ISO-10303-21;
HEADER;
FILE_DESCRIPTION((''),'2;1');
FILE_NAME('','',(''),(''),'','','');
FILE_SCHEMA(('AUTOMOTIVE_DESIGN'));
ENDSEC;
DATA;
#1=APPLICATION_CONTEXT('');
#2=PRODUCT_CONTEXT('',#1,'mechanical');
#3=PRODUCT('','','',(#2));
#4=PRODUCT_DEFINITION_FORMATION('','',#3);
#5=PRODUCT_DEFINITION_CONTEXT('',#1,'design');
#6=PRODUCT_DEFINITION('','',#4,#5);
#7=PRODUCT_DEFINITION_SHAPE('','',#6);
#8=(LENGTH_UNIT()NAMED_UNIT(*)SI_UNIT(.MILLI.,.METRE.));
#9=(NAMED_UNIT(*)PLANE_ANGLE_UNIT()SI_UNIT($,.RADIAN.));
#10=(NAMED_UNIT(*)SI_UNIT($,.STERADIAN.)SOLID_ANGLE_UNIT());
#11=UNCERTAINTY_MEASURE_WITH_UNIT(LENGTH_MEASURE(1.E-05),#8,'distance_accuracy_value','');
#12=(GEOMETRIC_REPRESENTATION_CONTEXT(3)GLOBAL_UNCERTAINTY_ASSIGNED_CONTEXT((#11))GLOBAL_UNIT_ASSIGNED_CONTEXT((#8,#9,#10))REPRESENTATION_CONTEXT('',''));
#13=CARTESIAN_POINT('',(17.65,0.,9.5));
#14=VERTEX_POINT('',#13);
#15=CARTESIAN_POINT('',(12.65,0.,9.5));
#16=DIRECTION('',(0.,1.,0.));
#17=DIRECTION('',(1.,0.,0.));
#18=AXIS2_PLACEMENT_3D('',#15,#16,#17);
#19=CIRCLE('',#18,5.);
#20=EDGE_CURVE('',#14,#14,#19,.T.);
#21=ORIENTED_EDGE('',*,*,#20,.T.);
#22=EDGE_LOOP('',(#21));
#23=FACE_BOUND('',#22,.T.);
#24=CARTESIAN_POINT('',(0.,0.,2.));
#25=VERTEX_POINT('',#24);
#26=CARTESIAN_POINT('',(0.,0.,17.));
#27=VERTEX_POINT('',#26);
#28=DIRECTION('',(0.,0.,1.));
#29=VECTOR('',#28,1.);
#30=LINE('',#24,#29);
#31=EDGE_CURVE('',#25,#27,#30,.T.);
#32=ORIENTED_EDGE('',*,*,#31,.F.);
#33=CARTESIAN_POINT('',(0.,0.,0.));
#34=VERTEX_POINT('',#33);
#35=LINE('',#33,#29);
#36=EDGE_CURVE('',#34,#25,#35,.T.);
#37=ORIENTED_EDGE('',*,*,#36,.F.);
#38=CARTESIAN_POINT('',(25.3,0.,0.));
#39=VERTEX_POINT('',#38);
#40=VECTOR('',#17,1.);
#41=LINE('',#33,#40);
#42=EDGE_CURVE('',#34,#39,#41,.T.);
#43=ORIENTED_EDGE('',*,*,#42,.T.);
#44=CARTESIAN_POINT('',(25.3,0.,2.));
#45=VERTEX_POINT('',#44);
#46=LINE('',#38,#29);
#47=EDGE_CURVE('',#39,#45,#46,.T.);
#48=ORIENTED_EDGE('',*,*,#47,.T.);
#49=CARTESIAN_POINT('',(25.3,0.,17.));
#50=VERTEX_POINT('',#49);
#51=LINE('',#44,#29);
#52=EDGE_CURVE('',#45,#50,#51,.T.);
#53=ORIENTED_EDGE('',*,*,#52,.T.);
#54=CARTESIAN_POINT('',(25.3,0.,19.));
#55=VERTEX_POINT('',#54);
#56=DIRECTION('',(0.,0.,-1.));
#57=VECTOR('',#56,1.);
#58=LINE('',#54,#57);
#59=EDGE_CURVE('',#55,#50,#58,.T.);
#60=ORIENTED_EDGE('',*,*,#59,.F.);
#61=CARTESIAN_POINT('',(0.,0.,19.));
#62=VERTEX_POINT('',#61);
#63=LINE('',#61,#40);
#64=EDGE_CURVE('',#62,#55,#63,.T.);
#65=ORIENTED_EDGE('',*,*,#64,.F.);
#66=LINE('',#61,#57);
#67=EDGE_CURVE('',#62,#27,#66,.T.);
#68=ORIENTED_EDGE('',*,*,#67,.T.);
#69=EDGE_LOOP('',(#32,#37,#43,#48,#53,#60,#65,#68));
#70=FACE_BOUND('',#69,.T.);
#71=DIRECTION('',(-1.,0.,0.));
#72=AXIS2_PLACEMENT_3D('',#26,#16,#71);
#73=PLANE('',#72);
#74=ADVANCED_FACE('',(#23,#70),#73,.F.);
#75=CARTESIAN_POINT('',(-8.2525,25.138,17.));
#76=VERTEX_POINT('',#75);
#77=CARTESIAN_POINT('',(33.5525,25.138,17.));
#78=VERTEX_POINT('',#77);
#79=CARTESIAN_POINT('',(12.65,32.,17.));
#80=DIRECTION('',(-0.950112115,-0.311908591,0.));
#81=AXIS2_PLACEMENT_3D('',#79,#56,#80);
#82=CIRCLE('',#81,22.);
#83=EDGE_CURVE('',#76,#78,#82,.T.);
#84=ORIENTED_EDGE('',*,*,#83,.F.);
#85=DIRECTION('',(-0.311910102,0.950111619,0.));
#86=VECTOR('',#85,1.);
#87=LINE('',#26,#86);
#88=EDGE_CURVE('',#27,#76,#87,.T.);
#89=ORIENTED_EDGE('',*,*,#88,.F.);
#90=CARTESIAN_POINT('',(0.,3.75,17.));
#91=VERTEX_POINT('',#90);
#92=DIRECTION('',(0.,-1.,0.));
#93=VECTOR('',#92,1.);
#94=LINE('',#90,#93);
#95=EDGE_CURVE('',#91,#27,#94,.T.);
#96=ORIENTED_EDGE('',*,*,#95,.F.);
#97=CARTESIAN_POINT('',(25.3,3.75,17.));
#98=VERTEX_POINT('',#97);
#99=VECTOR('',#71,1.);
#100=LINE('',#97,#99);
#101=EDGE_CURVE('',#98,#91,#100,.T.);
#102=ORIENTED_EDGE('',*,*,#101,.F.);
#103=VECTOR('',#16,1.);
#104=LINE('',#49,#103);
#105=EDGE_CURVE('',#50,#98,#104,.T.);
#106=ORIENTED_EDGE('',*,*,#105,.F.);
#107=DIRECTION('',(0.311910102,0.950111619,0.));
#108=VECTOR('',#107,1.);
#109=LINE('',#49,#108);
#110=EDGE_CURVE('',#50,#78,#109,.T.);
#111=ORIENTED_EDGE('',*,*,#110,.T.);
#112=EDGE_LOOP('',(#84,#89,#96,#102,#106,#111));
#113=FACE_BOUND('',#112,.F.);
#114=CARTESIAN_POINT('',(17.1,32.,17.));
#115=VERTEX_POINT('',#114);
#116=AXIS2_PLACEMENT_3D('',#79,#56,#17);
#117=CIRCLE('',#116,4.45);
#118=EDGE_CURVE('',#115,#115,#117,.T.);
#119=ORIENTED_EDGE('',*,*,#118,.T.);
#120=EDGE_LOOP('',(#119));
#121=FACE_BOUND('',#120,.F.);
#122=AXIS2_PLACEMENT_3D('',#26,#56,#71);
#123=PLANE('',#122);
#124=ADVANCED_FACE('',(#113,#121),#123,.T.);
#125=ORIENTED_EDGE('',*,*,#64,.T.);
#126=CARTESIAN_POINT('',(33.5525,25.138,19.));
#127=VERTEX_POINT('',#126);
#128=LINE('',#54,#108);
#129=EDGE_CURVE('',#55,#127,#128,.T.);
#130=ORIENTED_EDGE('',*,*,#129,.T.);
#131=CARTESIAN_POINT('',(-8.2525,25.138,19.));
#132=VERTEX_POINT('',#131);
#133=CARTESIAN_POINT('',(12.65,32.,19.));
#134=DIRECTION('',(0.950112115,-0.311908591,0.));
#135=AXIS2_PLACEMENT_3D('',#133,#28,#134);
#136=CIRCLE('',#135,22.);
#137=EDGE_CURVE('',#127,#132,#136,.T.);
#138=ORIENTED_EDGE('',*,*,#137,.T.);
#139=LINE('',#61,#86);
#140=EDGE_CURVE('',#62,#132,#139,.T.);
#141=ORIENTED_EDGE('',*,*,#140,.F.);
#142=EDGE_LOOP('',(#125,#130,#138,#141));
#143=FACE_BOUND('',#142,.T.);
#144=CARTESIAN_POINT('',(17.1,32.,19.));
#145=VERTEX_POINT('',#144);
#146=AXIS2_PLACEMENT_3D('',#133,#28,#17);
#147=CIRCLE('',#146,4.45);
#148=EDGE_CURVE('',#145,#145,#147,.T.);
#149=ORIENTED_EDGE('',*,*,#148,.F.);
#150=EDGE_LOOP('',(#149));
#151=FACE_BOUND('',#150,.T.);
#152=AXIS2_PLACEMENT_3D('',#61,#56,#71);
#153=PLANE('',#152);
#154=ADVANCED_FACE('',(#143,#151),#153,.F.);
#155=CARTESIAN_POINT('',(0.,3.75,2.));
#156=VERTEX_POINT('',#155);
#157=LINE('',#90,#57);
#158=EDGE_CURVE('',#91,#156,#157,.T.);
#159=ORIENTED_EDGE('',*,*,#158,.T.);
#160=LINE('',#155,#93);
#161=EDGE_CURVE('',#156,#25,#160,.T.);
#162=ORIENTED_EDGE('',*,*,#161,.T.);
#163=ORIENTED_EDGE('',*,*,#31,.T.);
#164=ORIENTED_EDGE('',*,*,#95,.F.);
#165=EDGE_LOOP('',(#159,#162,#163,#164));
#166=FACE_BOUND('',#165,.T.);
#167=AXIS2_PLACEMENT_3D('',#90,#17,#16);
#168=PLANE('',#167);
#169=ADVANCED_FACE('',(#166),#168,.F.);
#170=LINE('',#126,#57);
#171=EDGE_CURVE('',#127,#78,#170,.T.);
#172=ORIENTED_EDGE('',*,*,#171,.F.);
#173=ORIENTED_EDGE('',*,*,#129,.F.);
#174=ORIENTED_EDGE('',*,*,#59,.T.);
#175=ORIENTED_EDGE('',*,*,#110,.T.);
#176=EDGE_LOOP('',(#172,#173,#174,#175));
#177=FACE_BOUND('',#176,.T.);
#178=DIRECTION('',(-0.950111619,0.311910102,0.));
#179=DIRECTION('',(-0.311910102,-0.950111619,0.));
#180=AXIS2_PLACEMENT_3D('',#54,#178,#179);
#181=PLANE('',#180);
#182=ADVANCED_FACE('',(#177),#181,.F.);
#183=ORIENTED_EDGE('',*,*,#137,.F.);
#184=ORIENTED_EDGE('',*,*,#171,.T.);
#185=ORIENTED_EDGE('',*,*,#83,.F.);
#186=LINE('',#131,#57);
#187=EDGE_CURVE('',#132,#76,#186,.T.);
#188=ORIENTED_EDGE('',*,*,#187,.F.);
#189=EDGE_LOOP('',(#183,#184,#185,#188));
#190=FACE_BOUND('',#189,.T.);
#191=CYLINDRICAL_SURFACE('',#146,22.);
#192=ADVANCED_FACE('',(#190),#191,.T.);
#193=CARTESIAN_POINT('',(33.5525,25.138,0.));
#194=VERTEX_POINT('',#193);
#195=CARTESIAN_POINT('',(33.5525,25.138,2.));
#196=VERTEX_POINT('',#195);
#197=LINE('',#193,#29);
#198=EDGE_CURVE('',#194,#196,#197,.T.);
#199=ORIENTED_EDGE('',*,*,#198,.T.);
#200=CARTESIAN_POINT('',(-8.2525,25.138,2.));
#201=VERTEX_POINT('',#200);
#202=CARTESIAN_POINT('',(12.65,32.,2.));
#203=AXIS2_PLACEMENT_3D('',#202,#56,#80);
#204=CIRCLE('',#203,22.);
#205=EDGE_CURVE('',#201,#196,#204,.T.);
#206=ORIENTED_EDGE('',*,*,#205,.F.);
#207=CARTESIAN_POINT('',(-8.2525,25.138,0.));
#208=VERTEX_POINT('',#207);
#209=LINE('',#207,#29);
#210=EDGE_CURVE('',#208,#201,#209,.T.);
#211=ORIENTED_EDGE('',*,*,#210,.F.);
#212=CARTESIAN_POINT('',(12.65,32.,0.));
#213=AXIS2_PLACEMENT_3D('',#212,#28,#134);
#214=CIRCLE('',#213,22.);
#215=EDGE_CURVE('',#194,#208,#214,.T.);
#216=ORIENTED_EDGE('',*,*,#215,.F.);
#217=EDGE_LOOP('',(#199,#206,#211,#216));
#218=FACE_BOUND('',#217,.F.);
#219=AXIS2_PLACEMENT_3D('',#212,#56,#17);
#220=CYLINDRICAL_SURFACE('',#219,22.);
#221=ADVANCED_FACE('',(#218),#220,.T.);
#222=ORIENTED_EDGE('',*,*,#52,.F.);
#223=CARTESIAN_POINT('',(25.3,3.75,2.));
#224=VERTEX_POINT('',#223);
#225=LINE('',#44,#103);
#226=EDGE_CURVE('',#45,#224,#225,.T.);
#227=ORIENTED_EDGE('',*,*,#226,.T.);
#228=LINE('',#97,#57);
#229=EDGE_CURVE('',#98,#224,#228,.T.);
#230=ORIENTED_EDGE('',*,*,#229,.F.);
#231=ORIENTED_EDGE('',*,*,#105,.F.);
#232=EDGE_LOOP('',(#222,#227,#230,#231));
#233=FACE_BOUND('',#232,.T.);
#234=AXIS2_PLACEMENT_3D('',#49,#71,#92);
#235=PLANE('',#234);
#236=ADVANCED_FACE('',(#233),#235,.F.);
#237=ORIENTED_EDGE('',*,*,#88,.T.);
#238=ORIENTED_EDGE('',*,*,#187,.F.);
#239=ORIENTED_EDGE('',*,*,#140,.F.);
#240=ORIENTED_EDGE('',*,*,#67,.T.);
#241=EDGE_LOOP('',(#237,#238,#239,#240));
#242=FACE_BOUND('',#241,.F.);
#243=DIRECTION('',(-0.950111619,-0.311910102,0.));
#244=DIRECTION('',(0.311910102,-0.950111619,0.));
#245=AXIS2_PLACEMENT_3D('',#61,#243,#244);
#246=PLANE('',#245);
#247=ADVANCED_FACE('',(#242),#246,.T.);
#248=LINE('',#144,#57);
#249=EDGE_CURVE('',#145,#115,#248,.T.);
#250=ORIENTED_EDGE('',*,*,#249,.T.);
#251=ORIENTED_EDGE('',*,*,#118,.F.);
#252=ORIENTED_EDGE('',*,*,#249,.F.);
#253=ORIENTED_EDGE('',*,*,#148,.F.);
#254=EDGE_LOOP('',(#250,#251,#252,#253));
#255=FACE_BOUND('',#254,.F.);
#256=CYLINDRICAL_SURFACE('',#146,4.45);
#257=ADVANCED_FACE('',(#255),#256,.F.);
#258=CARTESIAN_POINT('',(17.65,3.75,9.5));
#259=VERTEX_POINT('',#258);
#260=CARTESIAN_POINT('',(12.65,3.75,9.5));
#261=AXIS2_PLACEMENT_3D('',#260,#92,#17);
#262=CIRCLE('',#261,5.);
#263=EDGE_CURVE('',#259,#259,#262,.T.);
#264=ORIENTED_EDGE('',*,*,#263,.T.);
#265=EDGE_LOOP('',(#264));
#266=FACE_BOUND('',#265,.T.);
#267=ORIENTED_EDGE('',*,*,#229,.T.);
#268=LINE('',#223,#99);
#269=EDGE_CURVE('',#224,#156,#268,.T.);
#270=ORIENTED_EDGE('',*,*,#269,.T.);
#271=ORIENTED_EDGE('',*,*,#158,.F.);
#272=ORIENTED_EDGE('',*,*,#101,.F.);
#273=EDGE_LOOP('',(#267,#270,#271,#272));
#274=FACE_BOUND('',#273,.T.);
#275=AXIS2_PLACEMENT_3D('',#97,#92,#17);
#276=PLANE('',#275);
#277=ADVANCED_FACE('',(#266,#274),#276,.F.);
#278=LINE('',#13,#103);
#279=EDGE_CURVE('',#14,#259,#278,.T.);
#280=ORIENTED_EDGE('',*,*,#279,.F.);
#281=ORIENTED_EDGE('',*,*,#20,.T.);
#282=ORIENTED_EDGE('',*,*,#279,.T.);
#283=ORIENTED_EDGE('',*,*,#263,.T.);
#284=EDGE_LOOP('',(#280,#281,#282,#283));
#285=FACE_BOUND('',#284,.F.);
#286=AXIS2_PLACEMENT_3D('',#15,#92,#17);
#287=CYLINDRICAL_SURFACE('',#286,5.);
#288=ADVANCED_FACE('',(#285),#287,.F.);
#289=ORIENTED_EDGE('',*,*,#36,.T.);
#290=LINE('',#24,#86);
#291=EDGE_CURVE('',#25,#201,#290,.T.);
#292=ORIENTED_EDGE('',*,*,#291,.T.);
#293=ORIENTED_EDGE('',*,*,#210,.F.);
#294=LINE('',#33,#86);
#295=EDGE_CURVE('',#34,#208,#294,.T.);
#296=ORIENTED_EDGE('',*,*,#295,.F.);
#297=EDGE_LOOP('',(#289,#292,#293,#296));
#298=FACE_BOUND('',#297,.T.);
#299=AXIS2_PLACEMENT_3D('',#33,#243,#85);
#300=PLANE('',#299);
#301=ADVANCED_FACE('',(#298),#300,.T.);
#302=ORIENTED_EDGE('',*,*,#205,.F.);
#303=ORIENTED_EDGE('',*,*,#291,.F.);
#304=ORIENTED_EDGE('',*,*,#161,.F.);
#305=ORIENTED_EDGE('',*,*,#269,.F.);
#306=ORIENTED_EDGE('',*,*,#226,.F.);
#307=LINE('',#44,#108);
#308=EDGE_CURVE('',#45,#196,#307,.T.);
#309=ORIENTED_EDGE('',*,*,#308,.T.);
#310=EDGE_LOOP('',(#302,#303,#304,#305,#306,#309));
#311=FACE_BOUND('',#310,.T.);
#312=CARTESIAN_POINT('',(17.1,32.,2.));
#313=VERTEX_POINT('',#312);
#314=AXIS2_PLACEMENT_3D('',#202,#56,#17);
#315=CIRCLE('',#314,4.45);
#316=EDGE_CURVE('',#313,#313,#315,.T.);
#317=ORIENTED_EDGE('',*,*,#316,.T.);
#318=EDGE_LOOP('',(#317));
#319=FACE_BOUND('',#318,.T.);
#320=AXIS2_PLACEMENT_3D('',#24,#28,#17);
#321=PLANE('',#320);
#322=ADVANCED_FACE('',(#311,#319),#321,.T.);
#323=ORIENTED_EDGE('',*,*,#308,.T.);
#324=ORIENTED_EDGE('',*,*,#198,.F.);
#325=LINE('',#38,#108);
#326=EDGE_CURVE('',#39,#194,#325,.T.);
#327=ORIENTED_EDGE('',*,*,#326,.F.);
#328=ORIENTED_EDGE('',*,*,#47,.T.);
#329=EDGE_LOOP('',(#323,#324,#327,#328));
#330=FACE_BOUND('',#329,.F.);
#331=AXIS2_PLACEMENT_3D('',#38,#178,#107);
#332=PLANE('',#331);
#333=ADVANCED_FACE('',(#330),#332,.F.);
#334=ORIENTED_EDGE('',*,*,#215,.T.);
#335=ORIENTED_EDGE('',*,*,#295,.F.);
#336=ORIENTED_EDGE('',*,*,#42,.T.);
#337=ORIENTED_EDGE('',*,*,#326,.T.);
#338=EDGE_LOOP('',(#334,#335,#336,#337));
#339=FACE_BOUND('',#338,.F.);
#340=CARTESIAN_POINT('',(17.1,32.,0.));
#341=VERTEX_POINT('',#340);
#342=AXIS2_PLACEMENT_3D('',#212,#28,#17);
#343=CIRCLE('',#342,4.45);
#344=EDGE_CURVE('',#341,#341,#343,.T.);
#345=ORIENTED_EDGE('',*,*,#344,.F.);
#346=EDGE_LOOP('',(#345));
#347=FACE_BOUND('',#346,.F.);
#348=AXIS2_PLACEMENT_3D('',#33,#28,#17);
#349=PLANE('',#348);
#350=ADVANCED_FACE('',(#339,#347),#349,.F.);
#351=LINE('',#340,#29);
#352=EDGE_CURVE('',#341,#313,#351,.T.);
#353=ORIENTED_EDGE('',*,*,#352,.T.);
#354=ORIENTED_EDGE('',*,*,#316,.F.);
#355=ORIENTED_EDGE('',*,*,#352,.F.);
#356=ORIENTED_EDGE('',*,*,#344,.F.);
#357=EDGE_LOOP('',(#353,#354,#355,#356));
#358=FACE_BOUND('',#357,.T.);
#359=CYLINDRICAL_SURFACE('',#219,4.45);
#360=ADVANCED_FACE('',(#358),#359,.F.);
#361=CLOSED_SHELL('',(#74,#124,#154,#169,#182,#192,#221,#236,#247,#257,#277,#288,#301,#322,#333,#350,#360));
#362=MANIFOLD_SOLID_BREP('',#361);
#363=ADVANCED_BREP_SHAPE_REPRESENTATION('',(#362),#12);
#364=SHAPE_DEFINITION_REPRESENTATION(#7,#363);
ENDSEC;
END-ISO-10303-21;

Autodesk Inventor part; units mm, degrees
ref_plane "YZ Plane" through (0, 0, 0) normal (1, 0, 0) x (0, 1, 0)
ref_plane "XZ Plane" through (0, 0, 0) normal (0, 1, 0) x (-1, 0, 0)
ref_plane "XY Plane" through (0, 0, 0) normal (0, 0, 1) x (1, 0, 0)
sketch "Sketch1" plane through (0, 0, 0) normal (0, 0, 1) x (1, 0, 0)
  line L0 (0, 0) -> (25.3, 0)
  line L1 (25.3, 0) -> (25.3, 16.2986) construction
  line L2 (25.3, 16.2986) -> (0, 16.2986) construction
  line L3 (0, 16.2986) -> (0, 0) construction
  circle A0 centre (12.65, 32) radius 4.45
  circle A1 centre (12.65, 32) radius 22
  line L4 (25.3, 0) -> (33.5525, 25.138)
  line L5 (0, 0) -> (-8.2525, 25.138)
  line L6 (12.65, 54) -> (12.65, 0)
  dimension "d0" = 25.3
  dimension "d1" = 8.9
  dimension "d2" = 32
  dimension "d3" = 44
  dimension "d16" = 12.65
extrude "Extrusion1" add sketch "Sketch1" along normal blind 2 contours L5 A1 L6 L0 | L6 A1 L4 L0 | A1 L6 A0 | L6 A0 A1
sketch "Sketch2" plane through (0, 0, 2) normal (0, 0, 1) x (1, 0, 0)
  line L0 (-8.2525, 25.138) -> (0, 0) projected
  line L1 (0, 0) -> (25.3, 0)
  line L2 (25.3, 0) -> (25.3, 3.75)
  line L3 (25.3, 3.75) -> (0, 3.75)
  line L4 (0, 3.75) -> (0, 0)
  dimension "d6" = 25.3
  dimension "d7" = 3.75
extrude "Extrusion2" add sketch "Sketch2" along normal blind 7.5
mirror "Mirror1" about plane through (12.65, 1.875, 9.5) normal (0, 0, 1) of "Extrusion1", "Extrusion2"
sketch "Sketch3" plane through (0, 0, 0) normal (0, -1, 0) x (1, 0, 0)
  line L0 (0, 0) -> (12.65, 0)
  line L1 (12.65, 0) -> (12.65, 9.5)
  line L2 (12.65, 9.5) -> (0, 9.5)
  line L3 (0, 9.5) -> (0, 0)
  circle A0 centre (12.65, 9.5) radius 5
  dimension "d10" = 9.5
  dimension "d11" = 12.65
  dimension "d12" = 10
extrude "Extrusion3" cut sketch "Sketch3" against normal blind 7.5 contours A0 L2 L1 | L1 L2 A0
properties part number "pulley"
